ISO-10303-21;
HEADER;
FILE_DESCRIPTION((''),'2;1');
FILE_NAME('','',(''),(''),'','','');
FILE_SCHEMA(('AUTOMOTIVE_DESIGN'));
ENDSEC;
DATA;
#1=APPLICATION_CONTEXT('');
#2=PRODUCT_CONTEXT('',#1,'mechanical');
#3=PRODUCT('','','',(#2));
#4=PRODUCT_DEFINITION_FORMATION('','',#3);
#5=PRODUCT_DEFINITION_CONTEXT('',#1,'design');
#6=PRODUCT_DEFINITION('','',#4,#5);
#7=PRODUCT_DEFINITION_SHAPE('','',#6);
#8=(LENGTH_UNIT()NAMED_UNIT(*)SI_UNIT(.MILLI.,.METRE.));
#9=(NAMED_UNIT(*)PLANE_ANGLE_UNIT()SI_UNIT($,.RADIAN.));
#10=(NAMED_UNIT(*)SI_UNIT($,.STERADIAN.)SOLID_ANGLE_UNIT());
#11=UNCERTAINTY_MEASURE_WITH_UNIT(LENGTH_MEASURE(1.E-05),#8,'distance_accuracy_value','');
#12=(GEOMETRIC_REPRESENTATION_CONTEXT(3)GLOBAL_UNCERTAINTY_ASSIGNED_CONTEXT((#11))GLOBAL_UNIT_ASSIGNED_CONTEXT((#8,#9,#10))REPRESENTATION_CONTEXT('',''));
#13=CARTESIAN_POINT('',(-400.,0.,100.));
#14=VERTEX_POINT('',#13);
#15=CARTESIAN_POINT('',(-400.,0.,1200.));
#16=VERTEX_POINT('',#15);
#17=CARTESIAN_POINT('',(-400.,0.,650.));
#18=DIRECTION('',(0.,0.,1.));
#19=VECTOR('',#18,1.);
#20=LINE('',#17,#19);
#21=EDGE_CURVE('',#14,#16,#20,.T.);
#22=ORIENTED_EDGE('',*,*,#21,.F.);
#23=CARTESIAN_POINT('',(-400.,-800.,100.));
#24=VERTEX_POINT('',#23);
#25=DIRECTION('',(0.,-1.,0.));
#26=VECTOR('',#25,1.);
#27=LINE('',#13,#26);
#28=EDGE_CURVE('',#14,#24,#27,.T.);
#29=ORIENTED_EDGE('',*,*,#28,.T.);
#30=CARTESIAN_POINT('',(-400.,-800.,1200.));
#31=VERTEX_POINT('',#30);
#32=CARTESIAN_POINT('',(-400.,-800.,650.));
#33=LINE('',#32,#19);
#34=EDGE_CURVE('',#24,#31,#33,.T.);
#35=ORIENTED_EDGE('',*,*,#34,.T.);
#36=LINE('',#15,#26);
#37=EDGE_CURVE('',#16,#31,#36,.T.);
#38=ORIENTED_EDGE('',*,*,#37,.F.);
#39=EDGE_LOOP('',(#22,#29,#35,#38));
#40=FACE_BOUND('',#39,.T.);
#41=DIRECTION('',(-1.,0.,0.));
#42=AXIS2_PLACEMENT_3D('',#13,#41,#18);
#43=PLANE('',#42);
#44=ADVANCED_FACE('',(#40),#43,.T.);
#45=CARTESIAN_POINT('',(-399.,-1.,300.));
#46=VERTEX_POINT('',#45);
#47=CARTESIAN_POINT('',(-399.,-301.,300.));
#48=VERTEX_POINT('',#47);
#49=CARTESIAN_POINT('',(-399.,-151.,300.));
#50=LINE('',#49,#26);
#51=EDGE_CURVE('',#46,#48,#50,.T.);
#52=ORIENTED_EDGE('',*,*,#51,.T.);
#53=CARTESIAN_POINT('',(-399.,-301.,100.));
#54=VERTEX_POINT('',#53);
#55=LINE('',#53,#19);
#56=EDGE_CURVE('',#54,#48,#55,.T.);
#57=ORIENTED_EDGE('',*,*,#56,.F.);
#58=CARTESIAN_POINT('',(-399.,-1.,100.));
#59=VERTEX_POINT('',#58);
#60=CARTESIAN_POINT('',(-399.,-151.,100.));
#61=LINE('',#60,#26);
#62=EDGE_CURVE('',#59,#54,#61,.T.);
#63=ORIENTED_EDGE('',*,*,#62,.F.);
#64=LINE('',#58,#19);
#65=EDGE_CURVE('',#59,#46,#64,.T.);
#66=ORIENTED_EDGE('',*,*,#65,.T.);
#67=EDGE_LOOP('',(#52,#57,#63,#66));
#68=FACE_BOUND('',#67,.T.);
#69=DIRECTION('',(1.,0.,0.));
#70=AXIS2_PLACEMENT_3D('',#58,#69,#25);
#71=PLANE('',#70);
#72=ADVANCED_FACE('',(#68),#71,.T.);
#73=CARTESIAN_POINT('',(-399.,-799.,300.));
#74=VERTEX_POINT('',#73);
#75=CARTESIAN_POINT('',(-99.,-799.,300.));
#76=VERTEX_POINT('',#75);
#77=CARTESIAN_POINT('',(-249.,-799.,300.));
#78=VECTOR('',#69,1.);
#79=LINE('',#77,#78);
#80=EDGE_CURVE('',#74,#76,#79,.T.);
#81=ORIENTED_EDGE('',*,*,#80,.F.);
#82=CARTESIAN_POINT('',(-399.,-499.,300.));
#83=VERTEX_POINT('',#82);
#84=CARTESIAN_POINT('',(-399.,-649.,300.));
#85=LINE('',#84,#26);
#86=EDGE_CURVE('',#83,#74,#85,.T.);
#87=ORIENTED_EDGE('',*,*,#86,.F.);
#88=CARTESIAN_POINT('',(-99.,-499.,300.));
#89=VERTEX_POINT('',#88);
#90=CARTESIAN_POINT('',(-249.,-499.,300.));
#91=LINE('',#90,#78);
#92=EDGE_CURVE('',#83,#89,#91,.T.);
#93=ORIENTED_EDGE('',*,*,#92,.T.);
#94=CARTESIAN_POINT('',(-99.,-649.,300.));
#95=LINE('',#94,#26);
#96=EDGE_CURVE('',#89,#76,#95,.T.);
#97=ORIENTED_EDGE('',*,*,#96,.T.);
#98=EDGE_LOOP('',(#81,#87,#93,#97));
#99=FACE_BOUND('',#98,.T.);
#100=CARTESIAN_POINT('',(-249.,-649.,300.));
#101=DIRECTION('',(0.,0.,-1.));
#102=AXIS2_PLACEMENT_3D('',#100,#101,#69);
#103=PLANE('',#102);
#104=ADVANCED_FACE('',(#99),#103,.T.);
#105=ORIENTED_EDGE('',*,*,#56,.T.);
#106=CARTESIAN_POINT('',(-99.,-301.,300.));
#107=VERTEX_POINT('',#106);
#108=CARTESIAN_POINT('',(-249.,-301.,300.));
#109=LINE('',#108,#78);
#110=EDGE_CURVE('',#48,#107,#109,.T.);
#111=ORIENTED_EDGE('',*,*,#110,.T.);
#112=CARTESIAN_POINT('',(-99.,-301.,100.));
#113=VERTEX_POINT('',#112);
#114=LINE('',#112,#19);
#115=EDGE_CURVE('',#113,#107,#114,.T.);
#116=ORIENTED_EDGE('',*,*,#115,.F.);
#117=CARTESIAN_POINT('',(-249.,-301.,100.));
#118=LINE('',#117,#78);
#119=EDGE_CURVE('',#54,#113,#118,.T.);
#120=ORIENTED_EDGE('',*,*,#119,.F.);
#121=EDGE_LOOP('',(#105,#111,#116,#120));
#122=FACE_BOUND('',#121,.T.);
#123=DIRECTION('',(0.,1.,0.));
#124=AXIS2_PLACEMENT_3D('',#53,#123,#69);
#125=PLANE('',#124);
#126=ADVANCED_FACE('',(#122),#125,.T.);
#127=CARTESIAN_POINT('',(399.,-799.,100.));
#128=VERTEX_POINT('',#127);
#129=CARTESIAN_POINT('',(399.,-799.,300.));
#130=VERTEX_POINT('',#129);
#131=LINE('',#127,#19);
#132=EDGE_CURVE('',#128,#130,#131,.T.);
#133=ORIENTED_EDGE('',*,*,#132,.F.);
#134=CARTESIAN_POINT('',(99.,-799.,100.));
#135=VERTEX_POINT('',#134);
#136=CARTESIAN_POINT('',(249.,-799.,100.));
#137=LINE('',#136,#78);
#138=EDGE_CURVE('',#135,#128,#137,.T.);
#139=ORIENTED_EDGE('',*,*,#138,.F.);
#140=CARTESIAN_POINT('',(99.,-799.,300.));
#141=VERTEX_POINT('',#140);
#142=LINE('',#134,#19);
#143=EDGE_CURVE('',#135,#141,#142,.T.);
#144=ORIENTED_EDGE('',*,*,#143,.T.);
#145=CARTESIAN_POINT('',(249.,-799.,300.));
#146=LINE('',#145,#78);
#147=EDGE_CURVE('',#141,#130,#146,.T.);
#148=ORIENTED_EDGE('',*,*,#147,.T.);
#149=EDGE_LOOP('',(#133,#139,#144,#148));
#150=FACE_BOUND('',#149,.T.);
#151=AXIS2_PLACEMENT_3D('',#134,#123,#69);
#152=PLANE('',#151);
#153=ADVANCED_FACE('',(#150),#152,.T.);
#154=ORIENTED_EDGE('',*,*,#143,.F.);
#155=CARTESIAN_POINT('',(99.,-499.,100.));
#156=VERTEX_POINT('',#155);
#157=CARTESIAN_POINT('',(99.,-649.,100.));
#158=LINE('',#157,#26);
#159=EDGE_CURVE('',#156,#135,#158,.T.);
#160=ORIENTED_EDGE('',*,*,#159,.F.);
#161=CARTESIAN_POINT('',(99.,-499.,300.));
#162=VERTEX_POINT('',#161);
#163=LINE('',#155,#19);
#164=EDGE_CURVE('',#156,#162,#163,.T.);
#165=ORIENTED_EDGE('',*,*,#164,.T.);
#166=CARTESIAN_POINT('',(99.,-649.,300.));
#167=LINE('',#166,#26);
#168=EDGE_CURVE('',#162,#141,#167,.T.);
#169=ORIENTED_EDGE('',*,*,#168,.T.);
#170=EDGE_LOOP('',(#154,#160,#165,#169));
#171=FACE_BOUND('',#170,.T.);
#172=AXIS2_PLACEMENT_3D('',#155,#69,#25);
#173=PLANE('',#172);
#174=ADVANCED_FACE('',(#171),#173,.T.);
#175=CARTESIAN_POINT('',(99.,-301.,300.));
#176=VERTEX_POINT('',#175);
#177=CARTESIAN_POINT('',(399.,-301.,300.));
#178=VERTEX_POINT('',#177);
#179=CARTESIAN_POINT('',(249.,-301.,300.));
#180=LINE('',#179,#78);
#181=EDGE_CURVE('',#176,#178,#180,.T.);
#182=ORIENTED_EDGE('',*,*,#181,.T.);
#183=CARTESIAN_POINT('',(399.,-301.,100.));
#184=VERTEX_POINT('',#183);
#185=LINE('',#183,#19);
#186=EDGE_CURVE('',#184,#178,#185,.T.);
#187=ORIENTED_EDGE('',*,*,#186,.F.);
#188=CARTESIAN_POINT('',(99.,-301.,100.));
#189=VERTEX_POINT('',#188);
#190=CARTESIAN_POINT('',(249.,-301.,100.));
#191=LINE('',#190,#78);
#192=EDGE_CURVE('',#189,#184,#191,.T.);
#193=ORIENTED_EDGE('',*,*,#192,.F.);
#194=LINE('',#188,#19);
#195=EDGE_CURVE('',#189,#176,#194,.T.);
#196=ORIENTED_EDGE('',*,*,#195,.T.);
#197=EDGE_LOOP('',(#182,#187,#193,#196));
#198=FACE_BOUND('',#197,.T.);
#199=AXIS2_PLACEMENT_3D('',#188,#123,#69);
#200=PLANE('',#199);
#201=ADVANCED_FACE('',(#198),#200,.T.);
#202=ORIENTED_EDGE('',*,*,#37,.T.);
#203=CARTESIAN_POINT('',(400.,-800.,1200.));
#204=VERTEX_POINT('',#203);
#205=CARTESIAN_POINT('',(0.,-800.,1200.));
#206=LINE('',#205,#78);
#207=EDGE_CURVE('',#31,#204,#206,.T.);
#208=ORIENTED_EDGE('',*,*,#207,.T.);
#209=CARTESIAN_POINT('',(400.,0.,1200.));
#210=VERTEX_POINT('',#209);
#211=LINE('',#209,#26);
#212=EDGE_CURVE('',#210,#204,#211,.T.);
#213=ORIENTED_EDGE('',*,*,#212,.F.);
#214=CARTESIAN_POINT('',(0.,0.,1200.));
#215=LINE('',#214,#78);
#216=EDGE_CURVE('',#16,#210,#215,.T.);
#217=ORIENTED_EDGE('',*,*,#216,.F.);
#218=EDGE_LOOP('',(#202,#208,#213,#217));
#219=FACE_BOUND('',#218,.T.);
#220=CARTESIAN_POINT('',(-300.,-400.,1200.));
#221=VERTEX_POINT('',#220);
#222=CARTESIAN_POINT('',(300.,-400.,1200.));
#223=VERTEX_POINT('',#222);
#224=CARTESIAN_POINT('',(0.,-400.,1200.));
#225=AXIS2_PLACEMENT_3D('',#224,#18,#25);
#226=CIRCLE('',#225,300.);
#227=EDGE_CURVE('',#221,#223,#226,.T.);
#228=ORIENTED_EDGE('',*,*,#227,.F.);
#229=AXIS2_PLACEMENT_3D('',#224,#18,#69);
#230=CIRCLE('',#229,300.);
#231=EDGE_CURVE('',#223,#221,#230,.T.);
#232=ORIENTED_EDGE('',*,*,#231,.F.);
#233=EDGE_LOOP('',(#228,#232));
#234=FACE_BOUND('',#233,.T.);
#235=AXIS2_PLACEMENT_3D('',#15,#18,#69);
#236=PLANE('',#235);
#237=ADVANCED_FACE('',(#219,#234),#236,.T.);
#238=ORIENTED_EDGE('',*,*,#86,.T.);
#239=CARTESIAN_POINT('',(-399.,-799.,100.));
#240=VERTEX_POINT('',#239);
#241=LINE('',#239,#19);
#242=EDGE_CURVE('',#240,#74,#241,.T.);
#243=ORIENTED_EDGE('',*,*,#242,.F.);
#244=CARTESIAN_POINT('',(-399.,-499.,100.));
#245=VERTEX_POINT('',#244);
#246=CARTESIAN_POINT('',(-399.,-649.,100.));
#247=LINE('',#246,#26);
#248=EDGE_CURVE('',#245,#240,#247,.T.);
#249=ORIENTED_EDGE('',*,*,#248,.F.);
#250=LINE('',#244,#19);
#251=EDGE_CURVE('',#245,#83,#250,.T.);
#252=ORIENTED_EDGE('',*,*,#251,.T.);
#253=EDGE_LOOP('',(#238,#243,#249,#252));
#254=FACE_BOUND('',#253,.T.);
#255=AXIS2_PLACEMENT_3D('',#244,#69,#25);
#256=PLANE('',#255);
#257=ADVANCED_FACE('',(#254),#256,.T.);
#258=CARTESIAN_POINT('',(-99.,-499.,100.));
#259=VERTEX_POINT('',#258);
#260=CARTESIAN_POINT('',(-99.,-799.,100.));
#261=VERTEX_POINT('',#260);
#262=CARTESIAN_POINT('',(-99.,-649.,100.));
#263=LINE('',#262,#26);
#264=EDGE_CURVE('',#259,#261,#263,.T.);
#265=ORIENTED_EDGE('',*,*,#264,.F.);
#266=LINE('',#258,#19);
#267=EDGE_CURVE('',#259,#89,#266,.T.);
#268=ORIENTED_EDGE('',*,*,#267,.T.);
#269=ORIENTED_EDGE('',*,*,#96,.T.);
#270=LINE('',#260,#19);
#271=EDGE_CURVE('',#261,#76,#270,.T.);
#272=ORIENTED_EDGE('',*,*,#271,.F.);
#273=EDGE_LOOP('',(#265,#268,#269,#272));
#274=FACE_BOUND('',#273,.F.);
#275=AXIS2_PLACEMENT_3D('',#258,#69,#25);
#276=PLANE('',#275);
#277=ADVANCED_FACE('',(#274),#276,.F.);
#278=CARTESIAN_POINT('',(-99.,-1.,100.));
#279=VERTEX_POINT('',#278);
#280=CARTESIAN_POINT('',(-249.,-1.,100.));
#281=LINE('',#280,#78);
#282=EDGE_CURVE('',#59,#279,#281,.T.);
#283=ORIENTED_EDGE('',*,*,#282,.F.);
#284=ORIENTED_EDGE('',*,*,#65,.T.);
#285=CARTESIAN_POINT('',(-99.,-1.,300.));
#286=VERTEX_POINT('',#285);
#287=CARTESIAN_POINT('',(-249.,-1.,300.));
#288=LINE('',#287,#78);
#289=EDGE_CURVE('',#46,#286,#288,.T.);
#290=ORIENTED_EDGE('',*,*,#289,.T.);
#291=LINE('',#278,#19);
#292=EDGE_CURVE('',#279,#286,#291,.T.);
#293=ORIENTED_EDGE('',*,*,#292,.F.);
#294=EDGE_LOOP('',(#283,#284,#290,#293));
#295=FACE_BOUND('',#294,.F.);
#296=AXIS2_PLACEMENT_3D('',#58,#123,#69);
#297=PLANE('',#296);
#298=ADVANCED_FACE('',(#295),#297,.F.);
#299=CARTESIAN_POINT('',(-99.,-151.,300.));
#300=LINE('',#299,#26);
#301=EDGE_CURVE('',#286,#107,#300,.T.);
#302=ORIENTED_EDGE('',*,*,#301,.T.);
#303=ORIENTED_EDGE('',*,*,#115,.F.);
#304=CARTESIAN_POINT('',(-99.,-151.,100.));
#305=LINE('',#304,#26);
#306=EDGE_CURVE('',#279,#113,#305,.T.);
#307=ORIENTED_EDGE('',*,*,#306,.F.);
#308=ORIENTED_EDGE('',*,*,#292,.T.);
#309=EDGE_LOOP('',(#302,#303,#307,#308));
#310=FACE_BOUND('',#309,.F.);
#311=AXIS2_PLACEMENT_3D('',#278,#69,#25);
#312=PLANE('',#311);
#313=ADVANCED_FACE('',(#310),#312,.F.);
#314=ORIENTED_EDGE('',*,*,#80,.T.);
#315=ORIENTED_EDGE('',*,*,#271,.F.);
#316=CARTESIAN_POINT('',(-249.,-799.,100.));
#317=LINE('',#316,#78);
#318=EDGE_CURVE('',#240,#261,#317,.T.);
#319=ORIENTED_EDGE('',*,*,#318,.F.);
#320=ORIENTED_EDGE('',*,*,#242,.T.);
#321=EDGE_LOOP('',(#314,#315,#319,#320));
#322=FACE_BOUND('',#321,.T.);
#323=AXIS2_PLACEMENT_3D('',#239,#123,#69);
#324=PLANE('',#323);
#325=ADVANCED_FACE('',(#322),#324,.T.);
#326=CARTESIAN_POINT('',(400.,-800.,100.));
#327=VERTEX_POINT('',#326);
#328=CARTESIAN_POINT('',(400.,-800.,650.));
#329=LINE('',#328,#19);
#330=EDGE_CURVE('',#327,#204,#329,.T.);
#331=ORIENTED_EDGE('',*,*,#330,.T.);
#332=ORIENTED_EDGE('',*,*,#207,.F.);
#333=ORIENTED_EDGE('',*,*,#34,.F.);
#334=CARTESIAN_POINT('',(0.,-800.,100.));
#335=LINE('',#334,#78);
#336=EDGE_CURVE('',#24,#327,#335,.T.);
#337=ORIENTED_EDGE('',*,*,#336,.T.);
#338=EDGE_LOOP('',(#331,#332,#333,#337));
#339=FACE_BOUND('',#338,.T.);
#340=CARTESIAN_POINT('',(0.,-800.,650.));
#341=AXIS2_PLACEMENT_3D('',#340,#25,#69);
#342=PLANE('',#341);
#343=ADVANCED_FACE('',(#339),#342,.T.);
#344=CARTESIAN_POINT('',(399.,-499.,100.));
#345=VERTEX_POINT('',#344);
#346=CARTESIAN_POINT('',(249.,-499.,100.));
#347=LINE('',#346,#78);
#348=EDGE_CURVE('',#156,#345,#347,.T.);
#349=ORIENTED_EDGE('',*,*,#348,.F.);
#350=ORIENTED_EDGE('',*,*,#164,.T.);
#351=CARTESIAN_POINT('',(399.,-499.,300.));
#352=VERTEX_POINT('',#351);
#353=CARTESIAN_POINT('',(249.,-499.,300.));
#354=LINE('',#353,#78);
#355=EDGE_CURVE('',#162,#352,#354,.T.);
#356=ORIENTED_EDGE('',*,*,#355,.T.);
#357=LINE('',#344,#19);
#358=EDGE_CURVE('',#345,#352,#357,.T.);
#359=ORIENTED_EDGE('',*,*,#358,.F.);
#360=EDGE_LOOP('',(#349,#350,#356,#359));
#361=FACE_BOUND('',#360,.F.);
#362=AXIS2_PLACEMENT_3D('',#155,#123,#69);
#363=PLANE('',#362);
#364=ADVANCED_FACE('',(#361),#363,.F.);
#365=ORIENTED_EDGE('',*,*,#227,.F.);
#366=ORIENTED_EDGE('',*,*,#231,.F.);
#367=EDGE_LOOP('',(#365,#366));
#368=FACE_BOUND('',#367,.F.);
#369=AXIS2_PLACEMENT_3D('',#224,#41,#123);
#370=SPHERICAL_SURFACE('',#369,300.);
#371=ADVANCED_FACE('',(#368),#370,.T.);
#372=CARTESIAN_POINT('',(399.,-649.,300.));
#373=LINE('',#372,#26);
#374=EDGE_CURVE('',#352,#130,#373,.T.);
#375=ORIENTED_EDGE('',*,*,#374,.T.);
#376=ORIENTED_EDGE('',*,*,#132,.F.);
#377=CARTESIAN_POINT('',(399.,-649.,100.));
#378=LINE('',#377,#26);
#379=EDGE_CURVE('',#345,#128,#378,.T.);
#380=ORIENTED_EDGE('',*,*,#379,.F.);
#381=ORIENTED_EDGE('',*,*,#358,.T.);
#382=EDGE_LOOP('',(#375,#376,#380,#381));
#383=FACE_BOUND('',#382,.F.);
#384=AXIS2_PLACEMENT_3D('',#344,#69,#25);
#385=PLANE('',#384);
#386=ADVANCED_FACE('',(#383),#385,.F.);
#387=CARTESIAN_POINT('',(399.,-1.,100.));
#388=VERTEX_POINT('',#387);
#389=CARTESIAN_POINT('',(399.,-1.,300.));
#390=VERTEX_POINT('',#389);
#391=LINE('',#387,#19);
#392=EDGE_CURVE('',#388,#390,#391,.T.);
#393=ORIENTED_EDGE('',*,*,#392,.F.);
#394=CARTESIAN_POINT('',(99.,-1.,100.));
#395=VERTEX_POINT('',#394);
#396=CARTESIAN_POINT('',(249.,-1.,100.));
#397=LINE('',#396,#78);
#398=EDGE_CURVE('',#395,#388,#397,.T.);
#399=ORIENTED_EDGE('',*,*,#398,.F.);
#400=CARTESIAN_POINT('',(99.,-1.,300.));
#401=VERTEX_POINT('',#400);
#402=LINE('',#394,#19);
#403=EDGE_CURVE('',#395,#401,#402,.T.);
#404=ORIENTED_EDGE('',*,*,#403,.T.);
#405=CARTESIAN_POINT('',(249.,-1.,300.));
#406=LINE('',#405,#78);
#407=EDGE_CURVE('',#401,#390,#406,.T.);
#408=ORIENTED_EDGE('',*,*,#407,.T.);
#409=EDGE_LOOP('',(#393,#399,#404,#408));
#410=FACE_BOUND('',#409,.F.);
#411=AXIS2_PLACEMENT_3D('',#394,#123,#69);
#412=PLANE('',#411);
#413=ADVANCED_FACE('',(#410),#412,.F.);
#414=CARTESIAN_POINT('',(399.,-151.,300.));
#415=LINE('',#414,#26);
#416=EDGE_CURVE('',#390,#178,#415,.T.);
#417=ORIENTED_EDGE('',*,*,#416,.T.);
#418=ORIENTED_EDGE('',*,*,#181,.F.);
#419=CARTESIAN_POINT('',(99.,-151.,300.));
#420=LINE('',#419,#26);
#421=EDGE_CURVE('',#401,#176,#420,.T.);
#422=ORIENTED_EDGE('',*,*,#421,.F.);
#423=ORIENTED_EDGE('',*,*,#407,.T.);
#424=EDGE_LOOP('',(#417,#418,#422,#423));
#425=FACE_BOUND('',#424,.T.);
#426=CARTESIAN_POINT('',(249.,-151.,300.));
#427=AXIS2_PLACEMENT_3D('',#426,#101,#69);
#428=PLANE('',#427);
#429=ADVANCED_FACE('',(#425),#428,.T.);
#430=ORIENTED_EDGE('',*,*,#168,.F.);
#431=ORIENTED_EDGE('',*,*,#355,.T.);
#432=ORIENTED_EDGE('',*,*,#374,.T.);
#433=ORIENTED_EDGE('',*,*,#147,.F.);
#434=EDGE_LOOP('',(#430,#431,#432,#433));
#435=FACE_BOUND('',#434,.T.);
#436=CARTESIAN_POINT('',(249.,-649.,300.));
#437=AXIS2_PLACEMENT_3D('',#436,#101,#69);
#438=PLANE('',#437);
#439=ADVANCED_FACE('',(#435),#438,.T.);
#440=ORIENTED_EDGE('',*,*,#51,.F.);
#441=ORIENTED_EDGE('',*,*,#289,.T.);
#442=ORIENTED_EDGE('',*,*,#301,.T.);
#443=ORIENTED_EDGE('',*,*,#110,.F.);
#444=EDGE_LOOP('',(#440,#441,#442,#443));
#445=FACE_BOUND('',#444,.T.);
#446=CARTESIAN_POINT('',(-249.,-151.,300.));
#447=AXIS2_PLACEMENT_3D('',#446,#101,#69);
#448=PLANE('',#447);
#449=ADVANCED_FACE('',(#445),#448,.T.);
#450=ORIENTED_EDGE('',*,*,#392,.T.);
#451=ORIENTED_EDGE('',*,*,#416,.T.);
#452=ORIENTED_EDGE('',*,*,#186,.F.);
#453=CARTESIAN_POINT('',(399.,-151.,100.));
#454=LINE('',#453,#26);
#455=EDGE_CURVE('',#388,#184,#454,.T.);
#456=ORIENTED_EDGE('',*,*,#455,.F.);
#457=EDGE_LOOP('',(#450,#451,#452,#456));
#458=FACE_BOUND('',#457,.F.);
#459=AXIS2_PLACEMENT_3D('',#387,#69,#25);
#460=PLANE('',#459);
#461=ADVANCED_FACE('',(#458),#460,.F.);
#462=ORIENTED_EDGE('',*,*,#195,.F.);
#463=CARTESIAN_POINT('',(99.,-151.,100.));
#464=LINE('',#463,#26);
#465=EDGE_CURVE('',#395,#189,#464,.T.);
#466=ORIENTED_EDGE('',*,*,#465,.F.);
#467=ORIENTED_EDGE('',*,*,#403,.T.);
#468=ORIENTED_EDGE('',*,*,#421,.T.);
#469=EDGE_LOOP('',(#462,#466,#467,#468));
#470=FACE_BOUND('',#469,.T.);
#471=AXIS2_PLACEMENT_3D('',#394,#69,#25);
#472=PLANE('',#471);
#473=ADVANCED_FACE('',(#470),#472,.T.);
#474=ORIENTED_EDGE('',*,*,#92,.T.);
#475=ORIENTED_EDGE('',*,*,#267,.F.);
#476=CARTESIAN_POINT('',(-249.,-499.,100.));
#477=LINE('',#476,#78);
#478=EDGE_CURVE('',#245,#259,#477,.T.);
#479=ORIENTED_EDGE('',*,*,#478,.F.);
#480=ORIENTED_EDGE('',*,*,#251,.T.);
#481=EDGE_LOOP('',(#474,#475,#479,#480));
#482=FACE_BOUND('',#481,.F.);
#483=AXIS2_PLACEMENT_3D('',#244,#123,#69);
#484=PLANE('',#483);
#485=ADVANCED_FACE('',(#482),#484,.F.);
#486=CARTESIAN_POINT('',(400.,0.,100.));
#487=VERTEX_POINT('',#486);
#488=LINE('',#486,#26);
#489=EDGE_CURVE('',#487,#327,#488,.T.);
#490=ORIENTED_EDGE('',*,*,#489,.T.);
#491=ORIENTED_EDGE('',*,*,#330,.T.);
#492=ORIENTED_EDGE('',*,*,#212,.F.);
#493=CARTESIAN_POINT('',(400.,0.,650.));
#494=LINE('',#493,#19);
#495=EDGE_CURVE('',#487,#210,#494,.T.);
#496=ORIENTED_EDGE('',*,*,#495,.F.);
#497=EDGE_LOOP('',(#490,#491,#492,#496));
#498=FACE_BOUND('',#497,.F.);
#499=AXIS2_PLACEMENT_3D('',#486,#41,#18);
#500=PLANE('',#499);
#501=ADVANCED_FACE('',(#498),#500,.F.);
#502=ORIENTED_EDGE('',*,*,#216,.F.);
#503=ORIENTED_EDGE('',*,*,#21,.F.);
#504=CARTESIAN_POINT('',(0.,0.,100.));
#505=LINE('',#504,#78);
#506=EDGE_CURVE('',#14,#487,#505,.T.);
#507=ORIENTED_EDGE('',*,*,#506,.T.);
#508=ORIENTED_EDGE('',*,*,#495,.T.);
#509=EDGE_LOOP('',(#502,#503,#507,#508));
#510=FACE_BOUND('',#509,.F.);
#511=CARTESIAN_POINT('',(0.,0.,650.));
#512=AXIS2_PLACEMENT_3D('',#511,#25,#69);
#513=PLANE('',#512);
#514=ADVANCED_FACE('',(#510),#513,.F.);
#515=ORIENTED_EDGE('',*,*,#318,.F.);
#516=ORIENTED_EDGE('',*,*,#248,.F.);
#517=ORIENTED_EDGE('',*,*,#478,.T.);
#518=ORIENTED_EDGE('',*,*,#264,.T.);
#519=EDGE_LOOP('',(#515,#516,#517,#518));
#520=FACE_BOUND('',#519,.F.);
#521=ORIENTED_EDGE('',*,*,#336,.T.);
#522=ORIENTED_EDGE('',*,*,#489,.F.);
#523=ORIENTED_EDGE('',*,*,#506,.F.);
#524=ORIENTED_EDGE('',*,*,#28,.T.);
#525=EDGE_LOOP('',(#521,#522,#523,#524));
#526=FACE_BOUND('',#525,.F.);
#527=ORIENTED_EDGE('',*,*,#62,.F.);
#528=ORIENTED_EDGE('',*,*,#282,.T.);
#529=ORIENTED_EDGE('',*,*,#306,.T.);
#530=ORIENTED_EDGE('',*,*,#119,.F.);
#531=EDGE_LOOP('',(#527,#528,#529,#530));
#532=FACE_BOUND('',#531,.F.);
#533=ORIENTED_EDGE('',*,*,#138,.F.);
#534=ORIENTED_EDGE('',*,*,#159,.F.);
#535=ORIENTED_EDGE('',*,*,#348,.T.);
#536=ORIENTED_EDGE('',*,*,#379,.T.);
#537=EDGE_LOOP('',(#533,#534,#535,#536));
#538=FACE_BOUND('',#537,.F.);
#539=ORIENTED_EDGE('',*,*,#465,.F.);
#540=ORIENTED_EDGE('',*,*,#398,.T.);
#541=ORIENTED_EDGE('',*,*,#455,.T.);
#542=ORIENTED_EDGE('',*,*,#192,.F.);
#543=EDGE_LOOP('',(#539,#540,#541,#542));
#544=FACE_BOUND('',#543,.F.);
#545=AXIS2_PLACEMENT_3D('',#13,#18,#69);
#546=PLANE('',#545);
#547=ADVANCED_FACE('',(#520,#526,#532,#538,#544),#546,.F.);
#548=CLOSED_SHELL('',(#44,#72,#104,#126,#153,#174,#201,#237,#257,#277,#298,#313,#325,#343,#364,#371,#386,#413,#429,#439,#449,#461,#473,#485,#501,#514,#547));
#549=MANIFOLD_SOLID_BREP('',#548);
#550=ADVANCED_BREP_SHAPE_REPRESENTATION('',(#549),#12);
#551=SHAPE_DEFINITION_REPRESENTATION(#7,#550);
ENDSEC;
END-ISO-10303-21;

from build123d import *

# Parameters (mm, degrees)
F0_W     = 800
F0_H     = 1100
F1_DEPTH = 800
F4_W     = 300
F4_H     = 300
F5_DEPTH = 200


with BuildPart() as f1:
    # F0 (on Front) → F1 (new body)
    with BuildSketch(Plane.XZ):
        with Locations((0, 650)):
            Rectangle(F0_W, F0_H)
    extrude(amount=F1_DEPTH)

    # F2 (on face) → F3 (revolve)
    with BuildSketch(Plane.XY.offset(1200)):
        with BuildLine():
            ThreePointArc((300, -400), (0, -100), (-300, -400))
            Line((-300, -400), (300, -400))
        make_face()
    revolve(axis=Axis((0, -400, 1200), (1, 0, 0)))

    # F4 (on face) → F5 (cut)
    with BuildSketch(Plane(origin=(0, 0, 100), x_dir=(1, 0, 0), z_dir=(0, 0, -1))):
        with Locations((-249, 649)):
            Rectangle(F4_W, F4_H)
        with Locations((249, 649)):
            Rectangle(F4_W, F4_H)
        with Locations((249, 151)):
            Rectangle(F4_W, F4_H)
        with Locations((-249, 151)):
            Rectangle(F4_W, F4_H)
    extrude(amount=-F5_DEPTH, mode=Mode.SUBTRACT)


solid = f1.part
